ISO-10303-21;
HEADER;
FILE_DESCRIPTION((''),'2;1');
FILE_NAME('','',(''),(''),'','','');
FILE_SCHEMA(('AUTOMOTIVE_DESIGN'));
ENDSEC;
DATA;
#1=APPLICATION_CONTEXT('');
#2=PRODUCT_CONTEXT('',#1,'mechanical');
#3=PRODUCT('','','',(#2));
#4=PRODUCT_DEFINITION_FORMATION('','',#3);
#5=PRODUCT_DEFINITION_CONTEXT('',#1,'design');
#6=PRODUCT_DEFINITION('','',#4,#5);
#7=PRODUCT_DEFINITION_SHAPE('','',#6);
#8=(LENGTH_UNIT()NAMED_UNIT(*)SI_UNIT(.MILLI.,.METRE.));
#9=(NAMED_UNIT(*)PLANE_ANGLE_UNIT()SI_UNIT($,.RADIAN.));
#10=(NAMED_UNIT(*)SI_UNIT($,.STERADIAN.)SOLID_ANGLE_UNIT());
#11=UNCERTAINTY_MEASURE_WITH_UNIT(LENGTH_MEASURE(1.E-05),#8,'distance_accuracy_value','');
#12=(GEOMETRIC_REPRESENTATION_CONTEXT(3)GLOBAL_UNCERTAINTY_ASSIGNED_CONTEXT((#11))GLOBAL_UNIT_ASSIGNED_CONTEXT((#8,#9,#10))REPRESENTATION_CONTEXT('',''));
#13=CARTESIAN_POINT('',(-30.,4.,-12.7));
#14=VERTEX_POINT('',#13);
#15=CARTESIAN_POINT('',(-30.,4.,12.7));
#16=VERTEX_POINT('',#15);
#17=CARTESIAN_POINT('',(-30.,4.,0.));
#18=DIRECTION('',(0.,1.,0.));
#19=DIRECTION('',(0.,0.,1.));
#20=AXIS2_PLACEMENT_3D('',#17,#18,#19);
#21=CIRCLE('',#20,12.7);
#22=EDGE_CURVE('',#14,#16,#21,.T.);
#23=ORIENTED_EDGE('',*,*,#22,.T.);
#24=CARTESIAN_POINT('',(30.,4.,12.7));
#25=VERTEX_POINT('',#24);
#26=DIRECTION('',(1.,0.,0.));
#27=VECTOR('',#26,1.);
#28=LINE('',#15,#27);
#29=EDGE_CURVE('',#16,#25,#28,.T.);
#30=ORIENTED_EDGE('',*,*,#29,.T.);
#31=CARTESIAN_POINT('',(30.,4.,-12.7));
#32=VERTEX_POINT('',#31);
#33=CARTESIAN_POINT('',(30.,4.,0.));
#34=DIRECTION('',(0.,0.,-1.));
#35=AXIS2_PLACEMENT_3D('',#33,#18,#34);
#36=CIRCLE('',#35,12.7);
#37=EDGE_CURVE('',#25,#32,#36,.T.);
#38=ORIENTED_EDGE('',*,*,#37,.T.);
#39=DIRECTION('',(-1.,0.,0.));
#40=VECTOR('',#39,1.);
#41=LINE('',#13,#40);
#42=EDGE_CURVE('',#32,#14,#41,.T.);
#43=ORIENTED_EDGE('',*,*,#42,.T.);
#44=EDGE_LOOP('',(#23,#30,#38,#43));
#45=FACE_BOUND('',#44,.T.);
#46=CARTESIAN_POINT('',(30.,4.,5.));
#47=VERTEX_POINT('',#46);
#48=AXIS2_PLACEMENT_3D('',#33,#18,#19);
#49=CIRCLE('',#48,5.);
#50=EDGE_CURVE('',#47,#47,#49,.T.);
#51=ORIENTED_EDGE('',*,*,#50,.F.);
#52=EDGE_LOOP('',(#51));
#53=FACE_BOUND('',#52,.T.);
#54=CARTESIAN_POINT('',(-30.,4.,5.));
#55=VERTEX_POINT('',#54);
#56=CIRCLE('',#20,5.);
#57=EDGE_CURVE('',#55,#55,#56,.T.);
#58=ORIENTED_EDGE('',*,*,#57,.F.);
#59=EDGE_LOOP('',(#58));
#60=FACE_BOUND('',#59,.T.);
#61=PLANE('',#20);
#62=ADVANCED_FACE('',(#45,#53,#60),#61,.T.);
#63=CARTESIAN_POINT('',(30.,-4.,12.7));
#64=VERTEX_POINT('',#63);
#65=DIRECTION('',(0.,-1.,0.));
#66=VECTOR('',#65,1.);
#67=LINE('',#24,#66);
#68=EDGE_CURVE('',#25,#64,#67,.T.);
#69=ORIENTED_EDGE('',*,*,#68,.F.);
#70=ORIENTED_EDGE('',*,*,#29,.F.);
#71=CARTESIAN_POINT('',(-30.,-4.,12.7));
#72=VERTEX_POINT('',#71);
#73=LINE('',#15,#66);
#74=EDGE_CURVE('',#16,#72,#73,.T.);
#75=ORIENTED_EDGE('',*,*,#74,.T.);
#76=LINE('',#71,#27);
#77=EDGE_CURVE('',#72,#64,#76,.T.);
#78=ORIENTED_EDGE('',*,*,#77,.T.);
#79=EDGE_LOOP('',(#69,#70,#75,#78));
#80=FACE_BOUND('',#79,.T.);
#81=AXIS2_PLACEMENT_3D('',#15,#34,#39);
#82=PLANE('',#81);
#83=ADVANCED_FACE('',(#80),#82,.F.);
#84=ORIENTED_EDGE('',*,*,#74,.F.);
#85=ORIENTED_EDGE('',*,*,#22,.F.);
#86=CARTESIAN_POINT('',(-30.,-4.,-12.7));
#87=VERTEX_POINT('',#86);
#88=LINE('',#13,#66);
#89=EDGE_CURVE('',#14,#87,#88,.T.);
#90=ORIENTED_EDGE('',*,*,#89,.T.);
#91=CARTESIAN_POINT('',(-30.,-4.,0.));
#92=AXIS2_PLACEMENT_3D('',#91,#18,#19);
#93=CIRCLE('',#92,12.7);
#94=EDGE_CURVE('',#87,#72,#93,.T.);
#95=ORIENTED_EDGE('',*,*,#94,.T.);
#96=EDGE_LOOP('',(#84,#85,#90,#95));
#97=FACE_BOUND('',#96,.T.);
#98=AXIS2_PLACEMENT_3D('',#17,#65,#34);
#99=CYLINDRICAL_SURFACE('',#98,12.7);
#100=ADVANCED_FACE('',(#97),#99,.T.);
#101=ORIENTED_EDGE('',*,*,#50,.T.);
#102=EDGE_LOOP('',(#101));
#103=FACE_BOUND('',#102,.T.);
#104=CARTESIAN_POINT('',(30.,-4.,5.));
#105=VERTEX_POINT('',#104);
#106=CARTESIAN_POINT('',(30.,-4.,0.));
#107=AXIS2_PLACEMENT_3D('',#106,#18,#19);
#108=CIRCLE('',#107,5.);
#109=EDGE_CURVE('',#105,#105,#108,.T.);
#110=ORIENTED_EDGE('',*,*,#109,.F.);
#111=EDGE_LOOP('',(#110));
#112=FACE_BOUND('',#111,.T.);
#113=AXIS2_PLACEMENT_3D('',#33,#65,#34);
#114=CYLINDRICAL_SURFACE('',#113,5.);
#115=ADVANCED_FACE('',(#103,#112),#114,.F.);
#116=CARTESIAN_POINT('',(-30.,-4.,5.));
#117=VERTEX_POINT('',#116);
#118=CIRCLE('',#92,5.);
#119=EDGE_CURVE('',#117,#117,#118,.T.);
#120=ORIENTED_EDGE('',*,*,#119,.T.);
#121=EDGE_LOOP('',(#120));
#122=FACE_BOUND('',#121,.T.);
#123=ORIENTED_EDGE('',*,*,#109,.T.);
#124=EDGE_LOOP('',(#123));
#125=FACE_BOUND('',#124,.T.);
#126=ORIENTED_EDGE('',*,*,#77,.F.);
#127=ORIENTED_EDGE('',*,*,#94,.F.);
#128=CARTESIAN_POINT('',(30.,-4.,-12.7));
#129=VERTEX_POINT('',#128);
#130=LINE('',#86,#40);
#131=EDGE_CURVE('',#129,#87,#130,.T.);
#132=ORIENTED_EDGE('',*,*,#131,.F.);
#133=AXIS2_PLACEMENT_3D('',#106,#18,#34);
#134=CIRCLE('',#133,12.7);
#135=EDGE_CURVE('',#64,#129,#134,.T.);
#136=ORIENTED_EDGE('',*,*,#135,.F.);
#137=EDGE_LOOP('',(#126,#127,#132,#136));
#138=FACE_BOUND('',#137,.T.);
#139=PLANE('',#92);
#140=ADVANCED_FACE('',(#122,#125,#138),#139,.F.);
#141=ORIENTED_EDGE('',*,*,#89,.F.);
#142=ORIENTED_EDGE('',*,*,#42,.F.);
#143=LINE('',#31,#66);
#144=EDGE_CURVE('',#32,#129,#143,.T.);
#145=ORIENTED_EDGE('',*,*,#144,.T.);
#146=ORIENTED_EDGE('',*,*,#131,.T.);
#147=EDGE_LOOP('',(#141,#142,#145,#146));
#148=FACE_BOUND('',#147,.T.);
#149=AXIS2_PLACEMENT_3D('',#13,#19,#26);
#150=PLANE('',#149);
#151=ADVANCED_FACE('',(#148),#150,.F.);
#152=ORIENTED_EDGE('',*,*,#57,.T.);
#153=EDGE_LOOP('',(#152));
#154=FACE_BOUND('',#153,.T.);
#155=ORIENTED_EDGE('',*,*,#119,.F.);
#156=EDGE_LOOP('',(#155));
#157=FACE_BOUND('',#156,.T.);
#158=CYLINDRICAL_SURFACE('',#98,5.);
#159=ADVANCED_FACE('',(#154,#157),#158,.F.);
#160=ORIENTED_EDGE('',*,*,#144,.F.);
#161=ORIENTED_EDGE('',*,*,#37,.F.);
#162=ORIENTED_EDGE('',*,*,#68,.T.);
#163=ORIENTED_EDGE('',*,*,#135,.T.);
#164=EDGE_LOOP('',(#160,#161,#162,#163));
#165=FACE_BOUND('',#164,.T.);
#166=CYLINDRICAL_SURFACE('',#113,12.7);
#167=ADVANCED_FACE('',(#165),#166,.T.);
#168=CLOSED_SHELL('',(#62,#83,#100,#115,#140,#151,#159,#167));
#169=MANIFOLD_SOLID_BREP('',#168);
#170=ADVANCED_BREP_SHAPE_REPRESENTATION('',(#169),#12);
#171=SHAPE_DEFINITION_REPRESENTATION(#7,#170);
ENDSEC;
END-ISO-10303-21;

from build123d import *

# Parameters (mm, degrees)
ESBO_O1_R                = 5
RESSALTO_EXTRUS_O1_DEPTH = 4


with BuildPart() as part:
    # Esboço1 → Ressalto-extrusão1 (new, symmetric)
    with BuildSketch(Plane(origin=(0, 0, 0), x_dir=(1, 0, 0), z_dir=(0, 1, 0))):
        with BuildLine():
            Line((-30, 12.7), (30, 12.7))
            ThreePointArc((30, 12.7), (42.7, 0), (30, -12.7))
            Line((30, -12.7), (-30, -12.7))
            ThreePointArc((-30, -12.7), (-42.7, 0), (-30, 12.7))
        make_face()
        with Locations(Location((30, 0, 0), (0, 0, 270))):
            Circle(ESBO_O1_R, mode=Mode.SUBTRACT)
        with Locations(Location((-30, 0, 0), (0, 0, 270))):
            Circle(ESBO_O1_R, mode=Mode.SUBTRACT)
    extrude(amount=RESSALTO_EXTRUS_O1_DEPTH, both=True)


solid = part.part
